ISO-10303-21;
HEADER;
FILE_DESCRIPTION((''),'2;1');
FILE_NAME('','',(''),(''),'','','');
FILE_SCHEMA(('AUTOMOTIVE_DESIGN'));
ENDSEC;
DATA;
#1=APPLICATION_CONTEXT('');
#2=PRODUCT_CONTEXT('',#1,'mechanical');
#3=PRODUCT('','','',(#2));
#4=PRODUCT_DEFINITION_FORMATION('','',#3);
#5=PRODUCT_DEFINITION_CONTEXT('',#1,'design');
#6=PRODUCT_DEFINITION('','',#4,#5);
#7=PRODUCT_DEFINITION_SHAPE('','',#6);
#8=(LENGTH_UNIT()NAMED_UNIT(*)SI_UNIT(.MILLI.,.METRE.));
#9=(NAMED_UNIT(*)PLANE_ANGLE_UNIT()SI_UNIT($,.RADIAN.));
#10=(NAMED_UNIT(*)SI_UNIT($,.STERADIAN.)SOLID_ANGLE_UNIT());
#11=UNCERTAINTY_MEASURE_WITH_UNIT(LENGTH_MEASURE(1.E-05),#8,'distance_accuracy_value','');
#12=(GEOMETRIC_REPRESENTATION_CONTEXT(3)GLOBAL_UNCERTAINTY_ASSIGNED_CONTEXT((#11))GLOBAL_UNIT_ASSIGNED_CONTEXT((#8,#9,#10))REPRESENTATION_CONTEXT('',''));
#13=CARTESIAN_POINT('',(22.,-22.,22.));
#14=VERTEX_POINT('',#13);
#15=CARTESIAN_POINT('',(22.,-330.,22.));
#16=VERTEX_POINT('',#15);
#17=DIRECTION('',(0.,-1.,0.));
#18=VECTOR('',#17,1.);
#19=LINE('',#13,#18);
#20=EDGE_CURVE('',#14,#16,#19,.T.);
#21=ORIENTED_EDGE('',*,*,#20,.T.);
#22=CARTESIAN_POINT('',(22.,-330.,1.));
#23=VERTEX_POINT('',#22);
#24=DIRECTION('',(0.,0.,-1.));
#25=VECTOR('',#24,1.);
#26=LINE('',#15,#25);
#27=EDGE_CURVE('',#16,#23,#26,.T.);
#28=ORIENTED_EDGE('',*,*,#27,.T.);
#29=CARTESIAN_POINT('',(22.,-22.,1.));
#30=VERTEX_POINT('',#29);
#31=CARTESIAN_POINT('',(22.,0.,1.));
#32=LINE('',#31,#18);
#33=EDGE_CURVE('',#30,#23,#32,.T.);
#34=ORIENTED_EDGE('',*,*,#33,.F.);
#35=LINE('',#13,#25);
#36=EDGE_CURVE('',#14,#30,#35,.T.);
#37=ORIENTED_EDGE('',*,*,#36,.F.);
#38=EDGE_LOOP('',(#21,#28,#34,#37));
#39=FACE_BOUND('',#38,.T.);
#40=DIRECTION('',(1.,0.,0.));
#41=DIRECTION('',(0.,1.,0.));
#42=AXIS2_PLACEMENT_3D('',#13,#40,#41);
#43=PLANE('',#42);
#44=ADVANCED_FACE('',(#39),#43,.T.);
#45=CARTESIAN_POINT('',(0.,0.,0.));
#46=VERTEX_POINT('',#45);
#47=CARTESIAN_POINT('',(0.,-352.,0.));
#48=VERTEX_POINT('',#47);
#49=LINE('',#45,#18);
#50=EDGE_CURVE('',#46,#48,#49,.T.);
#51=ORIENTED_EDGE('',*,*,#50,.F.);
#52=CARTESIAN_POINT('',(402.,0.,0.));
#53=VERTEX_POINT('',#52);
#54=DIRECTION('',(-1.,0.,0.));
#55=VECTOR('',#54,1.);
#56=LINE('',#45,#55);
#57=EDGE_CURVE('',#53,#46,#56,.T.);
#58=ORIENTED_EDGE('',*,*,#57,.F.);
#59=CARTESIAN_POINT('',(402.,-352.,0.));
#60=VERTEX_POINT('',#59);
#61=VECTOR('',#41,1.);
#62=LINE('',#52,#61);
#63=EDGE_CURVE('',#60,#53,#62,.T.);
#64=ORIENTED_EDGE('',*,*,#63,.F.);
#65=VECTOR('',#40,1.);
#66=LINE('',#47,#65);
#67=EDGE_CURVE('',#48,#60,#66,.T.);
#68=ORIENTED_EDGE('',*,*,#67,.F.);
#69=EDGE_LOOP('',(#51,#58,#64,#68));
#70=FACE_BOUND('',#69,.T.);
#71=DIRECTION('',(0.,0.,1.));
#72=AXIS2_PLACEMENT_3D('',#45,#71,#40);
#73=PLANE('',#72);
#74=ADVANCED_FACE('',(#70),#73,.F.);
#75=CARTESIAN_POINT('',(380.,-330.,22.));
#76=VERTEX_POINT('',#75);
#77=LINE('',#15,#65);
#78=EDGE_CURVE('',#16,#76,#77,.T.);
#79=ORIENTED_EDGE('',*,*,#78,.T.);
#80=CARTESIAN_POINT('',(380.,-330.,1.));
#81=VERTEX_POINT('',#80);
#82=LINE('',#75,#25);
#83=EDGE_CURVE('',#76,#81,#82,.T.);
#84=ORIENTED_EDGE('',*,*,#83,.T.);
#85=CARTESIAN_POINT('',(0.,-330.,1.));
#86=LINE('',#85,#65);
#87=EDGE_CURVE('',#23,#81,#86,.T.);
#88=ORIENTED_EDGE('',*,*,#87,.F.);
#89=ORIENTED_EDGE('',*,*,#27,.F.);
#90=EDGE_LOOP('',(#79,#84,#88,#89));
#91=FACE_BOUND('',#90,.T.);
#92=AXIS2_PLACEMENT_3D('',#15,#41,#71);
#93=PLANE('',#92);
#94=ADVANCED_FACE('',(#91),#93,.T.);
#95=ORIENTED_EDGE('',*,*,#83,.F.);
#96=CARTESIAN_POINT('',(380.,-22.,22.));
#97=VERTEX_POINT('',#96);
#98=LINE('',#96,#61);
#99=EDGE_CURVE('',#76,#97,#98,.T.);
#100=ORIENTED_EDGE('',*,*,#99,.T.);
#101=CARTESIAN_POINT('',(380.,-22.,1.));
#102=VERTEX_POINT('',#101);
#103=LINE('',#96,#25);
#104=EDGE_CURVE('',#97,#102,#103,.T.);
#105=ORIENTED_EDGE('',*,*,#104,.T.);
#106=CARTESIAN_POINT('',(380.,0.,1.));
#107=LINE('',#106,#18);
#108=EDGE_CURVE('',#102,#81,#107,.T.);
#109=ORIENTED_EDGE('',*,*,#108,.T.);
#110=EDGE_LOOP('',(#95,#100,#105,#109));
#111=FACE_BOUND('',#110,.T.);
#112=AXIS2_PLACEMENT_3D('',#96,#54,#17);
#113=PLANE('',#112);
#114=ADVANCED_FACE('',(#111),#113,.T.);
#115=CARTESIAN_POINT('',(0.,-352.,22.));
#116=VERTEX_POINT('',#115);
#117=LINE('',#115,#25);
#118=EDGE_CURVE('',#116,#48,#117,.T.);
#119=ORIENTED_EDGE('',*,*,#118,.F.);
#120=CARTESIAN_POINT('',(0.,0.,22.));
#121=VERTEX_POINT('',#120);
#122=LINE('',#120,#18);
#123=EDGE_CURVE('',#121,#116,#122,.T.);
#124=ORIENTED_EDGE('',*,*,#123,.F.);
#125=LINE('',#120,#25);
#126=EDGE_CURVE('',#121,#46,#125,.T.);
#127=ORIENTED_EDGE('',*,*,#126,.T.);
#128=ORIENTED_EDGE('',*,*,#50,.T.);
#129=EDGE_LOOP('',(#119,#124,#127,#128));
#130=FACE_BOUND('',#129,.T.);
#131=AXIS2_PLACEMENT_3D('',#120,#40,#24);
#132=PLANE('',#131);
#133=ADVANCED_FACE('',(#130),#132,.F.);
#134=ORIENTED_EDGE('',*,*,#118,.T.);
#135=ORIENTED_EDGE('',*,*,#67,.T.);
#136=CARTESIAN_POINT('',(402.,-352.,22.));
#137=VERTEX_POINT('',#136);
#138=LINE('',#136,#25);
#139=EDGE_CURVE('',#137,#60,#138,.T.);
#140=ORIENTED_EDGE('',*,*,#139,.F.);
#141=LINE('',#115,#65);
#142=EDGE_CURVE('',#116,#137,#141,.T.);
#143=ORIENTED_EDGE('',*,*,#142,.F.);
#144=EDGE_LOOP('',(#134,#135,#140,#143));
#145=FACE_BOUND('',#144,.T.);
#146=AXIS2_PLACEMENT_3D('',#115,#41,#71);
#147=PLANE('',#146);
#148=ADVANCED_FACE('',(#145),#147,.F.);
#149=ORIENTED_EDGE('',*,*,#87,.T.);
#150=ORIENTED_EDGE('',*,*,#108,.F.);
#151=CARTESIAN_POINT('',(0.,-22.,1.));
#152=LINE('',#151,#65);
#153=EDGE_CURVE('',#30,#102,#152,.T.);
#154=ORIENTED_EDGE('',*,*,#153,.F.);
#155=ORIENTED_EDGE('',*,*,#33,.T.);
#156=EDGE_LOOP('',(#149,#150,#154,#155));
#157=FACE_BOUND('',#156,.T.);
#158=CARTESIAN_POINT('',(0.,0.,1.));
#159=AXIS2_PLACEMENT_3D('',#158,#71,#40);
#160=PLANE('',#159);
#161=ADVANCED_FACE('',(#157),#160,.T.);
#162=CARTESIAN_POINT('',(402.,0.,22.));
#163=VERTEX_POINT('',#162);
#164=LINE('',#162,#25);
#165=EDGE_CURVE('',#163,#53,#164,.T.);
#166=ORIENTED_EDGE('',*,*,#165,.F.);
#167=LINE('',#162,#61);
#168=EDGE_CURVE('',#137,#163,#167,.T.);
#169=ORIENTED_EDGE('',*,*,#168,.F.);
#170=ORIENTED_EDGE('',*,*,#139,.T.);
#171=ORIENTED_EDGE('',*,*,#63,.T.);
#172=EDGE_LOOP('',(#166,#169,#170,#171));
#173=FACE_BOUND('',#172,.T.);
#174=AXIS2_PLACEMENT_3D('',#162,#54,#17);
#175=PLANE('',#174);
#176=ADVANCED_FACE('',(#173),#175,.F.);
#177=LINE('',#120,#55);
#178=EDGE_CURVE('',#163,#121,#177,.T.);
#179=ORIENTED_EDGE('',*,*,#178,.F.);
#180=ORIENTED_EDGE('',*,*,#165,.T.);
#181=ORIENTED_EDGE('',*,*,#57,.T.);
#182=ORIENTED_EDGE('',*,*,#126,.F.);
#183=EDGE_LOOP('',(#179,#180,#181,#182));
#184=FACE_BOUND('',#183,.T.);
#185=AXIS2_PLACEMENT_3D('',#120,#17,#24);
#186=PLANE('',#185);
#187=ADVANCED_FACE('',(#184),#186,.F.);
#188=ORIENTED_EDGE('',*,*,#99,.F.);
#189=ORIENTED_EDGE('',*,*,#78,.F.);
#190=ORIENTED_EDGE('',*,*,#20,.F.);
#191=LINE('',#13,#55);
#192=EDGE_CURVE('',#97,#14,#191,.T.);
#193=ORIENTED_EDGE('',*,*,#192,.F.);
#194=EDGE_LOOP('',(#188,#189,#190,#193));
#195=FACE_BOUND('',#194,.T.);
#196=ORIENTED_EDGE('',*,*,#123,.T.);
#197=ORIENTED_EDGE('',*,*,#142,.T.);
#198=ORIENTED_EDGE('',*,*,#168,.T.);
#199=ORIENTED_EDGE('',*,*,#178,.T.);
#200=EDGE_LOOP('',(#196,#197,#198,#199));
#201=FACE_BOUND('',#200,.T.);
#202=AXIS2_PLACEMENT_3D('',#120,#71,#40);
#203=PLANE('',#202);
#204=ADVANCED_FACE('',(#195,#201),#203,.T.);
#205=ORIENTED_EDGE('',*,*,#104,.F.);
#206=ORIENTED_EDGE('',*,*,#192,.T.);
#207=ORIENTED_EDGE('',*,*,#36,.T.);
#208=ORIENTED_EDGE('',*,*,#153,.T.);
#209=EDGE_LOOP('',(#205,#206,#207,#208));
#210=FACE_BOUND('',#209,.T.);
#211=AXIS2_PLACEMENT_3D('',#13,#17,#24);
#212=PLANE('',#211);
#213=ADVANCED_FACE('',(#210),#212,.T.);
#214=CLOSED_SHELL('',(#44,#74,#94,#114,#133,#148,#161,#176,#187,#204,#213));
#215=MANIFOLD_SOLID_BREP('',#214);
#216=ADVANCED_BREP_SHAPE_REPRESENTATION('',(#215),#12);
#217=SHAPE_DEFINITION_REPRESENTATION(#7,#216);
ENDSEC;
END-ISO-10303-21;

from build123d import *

# Parameters (mm, degrees)
SKETCH_1_W      = 358
SKETCH_1_H      = 308
EXTRUDE_2_DEPTH = 1
SKETCH_1_6_W    = 402
SKETCH_1_6_H    = 352
SKETCH_1_6_W_2  = 358
SKETCH_1_6_H_2  = 308
EXTRUDE_3_DEPTH = 22


with BuildPart() as part:
    # 스케치1 → 보스-돌출2 (new body)
    with BuildSketch(Plane.XY):
        with Locations((201, -176)):
            Rectangle(SKETCH_1_W, SKETCH_1_H)
    extrude(amount=EXTRUDE_2_DEPTH)

    # 스케치1<6> → 보스-돌출3 (add)
    with BuildSketch(Plane.XY):
        with Locations((201, -176)):
            Rectangle(SKETCH_1_6_W, SKETCH_1_6_H)
        with Locations((201, -176)):
            Rectangle(SKETCH_1_6_W_2, SKETCH_1_6_H_2, mode=Mode.SUBTRACT)
    extrude(amount=EXTRUDE_3_DEPTH)


solid = part.part
